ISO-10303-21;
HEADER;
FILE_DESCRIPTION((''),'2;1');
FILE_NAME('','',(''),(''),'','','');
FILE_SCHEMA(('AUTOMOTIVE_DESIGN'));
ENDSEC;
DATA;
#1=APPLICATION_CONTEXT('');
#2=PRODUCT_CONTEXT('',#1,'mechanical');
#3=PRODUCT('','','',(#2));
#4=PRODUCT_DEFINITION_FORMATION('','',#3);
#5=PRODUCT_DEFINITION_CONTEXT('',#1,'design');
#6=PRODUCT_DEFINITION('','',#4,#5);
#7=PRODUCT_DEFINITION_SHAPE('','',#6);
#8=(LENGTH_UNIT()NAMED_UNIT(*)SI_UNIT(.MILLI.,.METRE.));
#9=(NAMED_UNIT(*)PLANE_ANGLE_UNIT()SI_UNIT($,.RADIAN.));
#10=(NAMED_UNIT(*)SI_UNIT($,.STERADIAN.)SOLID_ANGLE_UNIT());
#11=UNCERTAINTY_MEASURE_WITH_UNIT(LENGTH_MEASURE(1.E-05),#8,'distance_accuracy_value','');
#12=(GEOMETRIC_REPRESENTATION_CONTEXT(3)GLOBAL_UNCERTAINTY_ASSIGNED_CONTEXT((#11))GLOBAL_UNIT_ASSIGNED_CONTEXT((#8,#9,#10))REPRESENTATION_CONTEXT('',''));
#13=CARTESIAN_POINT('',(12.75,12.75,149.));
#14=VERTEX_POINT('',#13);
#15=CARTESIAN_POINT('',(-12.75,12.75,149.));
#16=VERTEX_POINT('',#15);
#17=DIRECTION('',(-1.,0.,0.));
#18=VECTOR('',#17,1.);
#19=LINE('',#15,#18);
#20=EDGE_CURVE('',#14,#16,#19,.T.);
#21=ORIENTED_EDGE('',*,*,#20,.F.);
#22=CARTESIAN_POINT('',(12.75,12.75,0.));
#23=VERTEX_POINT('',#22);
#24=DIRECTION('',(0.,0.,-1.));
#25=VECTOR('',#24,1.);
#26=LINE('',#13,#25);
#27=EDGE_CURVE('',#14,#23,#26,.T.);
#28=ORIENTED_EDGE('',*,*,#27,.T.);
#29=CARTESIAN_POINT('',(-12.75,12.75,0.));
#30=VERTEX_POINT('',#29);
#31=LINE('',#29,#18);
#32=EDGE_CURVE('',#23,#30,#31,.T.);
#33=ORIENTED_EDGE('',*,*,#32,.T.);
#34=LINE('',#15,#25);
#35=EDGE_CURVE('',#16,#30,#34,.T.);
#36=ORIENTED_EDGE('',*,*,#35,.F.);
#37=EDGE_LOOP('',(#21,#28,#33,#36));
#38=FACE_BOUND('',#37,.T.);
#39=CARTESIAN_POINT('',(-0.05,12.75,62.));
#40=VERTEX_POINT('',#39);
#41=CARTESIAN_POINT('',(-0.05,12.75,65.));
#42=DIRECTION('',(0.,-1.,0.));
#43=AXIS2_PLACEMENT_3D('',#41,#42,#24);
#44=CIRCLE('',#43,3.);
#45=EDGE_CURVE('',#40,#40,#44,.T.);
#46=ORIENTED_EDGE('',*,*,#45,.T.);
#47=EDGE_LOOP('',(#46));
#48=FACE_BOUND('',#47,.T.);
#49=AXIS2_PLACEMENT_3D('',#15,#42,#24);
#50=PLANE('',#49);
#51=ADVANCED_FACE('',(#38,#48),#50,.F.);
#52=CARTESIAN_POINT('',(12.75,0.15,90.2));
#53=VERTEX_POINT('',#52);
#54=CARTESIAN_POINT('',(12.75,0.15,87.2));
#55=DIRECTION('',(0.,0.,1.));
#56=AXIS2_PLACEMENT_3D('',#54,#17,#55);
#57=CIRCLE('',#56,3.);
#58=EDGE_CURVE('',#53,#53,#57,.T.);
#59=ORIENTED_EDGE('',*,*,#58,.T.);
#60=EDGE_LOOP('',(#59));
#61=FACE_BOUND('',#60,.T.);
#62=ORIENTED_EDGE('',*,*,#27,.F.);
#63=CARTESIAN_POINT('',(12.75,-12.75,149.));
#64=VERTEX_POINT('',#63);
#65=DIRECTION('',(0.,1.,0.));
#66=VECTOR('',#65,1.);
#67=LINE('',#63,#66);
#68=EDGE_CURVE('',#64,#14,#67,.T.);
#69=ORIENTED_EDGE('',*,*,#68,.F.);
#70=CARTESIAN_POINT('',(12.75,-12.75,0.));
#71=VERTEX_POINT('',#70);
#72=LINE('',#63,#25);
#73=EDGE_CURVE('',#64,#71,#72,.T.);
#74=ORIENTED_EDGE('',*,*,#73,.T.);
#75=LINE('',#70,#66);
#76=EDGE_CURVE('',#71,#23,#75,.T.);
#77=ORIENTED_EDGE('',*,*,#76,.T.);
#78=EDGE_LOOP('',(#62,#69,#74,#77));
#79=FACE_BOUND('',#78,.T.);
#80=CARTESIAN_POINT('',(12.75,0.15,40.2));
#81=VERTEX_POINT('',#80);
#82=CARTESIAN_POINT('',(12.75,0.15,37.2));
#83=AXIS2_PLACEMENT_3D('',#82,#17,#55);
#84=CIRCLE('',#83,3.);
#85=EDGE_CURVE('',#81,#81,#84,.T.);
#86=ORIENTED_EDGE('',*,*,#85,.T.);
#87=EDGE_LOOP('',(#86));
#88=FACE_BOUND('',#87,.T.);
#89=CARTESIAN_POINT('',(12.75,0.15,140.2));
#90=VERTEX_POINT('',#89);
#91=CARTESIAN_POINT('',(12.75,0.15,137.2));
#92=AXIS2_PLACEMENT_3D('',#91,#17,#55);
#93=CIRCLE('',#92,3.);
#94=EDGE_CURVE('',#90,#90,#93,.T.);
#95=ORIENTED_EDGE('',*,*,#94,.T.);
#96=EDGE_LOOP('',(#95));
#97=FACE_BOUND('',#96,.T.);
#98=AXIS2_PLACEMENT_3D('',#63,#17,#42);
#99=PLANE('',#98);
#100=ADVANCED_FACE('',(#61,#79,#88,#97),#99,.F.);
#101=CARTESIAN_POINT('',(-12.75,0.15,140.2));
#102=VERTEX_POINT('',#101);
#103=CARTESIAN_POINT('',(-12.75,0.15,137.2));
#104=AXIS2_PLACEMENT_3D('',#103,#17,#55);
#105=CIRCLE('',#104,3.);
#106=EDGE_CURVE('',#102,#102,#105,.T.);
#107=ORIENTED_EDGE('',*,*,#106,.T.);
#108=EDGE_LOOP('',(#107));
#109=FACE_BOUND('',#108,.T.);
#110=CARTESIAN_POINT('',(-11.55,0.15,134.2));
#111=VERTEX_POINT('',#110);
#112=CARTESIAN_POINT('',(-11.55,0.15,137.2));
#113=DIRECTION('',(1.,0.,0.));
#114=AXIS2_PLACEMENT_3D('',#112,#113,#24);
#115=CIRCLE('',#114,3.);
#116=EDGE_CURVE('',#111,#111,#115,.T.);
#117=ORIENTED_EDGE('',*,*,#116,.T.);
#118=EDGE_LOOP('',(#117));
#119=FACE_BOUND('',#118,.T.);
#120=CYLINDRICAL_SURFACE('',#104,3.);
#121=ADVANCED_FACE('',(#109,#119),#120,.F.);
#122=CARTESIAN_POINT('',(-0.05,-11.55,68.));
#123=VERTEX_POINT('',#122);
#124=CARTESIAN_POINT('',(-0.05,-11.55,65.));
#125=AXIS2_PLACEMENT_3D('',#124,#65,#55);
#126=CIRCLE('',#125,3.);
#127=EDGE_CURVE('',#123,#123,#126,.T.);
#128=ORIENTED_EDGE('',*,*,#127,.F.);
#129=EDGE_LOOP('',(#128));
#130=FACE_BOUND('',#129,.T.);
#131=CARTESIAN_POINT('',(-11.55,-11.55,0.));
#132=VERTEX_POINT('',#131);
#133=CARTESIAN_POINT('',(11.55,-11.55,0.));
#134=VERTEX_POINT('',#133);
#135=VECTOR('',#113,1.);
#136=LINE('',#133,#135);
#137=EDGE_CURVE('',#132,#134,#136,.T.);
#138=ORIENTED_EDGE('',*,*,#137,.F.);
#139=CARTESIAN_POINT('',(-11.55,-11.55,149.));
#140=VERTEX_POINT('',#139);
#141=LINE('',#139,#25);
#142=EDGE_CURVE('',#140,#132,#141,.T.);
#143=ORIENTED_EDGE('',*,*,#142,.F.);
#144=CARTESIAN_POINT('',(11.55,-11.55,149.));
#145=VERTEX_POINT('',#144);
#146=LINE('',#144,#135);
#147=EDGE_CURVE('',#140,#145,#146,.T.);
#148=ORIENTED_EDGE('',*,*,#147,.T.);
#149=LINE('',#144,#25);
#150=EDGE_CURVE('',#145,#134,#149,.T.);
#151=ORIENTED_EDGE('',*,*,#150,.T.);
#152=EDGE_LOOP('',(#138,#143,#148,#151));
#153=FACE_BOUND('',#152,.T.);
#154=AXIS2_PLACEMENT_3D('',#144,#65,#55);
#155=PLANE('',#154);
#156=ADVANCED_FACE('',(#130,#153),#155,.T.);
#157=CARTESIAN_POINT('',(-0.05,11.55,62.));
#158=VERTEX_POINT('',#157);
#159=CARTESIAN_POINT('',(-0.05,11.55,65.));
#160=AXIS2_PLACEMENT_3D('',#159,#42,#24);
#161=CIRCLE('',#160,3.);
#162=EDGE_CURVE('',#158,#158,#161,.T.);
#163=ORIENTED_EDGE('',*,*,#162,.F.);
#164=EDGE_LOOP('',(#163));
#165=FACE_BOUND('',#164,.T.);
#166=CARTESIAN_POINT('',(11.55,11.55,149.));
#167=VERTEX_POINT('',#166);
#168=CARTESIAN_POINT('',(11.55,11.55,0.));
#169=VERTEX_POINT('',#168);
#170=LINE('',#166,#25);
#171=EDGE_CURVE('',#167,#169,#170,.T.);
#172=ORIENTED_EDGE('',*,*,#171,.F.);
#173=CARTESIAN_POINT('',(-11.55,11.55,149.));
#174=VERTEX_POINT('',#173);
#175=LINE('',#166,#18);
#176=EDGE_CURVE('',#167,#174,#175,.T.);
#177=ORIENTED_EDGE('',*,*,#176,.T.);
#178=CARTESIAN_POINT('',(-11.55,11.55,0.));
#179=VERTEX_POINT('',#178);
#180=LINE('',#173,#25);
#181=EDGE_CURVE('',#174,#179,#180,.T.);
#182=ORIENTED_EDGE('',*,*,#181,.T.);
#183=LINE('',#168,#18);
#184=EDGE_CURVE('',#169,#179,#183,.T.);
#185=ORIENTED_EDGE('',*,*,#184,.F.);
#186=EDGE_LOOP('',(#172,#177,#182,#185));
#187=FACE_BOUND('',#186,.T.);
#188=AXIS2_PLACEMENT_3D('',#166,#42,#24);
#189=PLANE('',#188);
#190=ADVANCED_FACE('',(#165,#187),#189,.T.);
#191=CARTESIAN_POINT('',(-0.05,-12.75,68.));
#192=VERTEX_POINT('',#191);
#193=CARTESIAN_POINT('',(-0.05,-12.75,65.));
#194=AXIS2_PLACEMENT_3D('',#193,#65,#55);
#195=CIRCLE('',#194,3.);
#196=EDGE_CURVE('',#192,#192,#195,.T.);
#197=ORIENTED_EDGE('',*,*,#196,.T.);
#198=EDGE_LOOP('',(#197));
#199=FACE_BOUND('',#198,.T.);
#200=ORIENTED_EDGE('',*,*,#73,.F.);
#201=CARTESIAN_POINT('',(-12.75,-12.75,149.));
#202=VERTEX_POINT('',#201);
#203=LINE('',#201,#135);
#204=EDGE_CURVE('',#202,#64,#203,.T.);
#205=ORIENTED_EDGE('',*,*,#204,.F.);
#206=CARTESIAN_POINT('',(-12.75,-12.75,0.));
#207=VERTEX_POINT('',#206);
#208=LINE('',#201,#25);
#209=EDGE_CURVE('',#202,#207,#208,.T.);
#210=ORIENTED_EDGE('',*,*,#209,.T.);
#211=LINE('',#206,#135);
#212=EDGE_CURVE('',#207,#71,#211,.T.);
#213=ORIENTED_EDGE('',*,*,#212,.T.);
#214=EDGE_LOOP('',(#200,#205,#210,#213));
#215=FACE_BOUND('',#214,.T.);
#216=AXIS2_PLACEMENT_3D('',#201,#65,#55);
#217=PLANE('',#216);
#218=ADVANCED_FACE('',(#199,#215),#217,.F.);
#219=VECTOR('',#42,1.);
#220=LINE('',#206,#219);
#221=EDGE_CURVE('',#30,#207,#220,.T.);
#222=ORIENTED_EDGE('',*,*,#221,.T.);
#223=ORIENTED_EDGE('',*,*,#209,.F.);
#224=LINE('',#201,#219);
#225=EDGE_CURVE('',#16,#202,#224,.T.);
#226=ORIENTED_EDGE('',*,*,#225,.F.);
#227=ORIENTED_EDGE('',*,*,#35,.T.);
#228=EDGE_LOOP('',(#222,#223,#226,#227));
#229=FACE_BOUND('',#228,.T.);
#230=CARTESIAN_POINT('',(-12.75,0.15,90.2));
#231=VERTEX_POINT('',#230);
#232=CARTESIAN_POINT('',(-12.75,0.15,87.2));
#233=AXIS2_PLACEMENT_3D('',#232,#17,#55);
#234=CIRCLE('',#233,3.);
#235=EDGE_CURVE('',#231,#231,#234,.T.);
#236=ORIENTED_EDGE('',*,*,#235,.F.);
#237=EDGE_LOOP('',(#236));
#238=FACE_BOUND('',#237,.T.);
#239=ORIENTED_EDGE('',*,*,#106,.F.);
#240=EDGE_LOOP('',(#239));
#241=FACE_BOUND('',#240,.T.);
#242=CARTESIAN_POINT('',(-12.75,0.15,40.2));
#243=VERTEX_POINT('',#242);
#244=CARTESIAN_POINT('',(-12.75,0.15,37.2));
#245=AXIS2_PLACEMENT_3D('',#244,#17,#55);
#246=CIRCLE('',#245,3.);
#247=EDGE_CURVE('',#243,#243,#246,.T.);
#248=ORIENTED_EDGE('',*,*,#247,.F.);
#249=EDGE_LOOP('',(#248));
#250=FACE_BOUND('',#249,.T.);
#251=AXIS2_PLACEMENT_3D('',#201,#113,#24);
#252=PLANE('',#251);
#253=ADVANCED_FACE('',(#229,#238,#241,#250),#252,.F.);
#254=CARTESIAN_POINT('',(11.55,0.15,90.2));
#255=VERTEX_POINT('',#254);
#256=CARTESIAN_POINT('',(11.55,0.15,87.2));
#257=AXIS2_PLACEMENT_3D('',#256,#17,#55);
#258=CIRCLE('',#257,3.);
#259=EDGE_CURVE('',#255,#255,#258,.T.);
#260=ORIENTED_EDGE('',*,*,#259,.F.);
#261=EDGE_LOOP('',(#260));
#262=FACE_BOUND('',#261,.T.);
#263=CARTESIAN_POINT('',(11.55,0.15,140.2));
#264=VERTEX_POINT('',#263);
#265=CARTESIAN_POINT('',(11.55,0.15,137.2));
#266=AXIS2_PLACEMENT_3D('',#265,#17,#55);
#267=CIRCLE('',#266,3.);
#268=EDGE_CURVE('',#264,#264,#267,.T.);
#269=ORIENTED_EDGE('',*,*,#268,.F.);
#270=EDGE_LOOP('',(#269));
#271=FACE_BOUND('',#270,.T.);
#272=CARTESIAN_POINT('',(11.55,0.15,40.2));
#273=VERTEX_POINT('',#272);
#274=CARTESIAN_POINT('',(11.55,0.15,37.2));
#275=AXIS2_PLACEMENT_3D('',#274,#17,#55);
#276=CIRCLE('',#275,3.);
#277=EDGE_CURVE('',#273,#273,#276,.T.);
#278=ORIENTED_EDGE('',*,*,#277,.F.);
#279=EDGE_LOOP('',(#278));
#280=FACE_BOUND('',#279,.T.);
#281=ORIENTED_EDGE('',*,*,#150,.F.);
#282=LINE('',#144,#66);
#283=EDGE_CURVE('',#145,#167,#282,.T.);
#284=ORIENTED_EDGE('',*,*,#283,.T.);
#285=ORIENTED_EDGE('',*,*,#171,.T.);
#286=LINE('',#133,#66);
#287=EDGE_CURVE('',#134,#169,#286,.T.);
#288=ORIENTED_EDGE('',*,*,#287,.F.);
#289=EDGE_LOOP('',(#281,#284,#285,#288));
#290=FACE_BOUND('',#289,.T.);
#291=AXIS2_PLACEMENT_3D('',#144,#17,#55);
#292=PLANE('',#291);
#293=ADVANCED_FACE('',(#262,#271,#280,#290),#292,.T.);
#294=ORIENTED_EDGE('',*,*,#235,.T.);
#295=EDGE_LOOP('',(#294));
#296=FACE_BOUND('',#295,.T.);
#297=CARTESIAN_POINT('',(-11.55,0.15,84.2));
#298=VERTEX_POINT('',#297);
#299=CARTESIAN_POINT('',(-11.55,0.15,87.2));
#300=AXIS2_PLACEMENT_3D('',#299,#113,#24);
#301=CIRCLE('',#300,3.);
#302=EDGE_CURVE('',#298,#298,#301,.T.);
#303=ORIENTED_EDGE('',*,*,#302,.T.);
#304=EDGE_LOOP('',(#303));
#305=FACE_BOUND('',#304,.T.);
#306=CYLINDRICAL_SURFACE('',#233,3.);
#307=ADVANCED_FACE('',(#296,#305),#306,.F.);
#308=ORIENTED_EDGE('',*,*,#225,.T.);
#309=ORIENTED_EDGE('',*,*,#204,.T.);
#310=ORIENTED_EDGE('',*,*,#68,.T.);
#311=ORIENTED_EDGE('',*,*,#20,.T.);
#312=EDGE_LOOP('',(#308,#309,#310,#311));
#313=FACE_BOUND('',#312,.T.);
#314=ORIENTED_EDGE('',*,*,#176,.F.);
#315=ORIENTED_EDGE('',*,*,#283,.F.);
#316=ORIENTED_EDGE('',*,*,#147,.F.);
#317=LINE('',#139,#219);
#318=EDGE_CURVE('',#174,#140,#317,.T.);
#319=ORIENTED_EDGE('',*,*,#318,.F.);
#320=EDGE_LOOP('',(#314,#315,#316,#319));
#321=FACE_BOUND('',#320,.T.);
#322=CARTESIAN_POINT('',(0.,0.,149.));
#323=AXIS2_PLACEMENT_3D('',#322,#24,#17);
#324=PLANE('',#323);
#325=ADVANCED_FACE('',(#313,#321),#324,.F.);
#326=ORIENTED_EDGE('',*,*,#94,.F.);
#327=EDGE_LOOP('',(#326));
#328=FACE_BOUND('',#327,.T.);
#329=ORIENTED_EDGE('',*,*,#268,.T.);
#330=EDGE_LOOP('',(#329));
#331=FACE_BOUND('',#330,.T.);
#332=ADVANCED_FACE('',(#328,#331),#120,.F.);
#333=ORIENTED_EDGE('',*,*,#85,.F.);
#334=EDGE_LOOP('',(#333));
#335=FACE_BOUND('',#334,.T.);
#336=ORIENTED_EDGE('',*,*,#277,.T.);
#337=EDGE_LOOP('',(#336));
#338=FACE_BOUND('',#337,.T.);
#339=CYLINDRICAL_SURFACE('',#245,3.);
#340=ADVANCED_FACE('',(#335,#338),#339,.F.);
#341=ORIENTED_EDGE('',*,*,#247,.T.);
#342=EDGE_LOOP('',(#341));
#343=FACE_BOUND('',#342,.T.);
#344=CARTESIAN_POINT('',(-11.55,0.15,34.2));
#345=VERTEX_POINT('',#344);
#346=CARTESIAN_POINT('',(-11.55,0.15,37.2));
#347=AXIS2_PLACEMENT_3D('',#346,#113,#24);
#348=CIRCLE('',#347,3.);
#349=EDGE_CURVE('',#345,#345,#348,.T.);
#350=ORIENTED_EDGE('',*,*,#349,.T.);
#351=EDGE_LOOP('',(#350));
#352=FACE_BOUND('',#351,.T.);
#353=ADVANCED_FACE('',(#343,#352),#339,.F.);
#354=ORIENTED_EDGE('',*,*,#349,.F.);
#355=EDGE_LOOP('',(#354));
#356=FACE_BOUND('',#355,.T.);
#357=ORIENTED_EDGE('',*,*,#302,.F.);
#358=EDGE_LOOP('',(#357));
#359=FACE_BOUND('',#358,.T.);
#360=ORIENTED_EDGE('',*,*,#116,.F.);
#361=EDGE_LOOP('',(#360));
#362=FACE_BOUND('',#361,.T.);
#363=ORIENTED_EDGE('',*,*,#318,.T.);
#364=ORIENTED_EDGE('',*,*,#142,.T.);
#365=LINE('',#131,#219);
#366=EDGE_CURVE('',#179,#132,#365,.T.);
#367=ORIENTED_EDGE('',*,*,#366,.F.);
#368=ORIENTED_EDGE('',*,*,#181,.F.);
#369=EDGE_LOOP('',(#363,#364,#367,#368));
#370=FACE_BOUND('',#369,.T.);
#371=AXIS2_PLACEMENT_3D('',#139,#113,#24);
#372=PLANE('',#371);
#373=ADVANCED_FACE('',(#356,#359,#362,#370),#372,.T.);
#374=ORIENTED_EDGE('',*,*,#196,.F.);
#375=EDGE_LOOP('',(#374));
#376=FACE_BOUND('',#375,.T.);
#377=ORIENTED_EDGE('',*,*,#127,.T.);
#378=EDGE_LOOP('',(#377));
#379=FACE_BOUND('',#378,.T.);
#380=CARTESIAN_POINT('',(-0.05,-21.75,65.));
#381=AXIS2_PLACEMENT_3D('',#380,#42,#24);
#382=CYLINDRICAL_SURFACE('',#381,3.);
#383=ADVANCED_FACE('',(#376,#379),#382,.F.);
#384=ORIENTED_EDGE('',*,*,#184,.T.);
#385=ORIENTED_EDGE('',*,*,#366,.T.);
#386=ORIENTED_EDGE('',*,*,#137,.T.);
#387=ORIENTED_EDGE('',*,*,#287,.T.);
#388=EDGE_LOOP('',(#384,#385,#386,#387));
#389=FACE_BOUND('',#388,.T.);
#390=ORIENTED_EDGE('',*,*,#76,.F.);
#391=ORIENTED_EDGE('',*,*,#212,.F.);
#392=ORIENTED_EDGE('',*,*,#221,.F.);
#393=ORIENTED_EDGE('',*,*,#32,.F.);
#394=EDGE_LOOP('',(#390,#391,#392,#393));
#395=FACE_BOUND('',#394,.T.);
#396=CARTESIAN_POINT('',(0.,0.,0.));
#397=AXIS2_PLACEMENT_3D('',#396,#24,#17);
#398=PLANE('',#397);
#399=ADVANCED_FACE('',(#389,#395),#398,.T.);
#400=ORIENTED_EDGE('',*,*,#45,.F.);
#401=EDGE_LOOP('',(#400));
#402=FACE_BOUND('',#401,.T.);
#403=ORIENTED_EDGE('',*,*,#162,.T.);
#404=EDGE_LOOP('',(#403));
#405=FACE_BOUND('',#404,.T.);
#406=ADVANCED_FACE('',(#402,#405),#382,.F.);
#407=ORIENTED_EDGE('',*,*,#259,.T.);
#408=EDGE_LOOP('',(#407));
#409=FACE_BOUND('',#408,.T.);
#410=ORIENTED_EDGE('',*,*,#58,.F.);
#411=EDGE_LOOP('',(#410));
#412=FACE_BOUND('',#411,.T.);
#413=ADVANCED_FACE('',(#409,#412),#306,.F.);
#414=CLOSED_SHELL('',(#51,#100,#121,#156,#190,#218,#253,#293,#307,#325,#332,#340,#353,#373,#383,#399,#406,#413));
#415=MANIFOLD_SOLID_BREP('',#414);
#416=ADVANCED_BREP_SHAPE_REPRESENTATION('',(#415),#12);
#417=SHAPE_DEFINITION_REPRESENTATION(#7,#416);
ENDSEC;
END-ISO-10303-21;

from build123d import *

# Parameters (mm, degrees)
SKETCH1_W                = 25.5
SKETCH1_H                = 25.5
SKETCH1_W_2              = 23.1
SKETCH1_H_2              = 23.1
BOSS_EXTRUDE1_DEPTH      = 149
F_6_0_6_DIAMETER_HOLE5_D = 6
F_6_0_6_DIAMETER_HOLE7_D = 6


with BuildPart() as part:
    # Sketch1 → Boss-Extrude1 (new body)
    with BuildSketch(Plane.XY):
        Rectangle(SKETCH1_W, SKETCH1_H)
        Rectangle(SKETCH1_W_2, SKETCH1_H_2, mode=Mode.SUBTRACT)
    extrude(amount=BOSS_EXTRUDE1_DEPTH)

    # Ø6.0 (6) Diameter Hole5 (through all)
    with Locations(Plane(origin=(-0.05, -21.75, 65), x_dir=(0, 0, -1), z_dir=(0, -1, 0))):
        with Locations((0, 0)):
            Hole(F_6_0_6_DIAMETER_HOLE5_D / 2)

    # Ø6.0 (6) Diameter Hole7 (through all)
    with Locations(Plane.ZY.offset(12.75)):
        with Locations((37.2, 0.15), (87.2, 0.15), (137.2, 0.15)):
            Hole(F_6_0_6_DIAMETER_HOLE7_D / 2)


solid = part.part
